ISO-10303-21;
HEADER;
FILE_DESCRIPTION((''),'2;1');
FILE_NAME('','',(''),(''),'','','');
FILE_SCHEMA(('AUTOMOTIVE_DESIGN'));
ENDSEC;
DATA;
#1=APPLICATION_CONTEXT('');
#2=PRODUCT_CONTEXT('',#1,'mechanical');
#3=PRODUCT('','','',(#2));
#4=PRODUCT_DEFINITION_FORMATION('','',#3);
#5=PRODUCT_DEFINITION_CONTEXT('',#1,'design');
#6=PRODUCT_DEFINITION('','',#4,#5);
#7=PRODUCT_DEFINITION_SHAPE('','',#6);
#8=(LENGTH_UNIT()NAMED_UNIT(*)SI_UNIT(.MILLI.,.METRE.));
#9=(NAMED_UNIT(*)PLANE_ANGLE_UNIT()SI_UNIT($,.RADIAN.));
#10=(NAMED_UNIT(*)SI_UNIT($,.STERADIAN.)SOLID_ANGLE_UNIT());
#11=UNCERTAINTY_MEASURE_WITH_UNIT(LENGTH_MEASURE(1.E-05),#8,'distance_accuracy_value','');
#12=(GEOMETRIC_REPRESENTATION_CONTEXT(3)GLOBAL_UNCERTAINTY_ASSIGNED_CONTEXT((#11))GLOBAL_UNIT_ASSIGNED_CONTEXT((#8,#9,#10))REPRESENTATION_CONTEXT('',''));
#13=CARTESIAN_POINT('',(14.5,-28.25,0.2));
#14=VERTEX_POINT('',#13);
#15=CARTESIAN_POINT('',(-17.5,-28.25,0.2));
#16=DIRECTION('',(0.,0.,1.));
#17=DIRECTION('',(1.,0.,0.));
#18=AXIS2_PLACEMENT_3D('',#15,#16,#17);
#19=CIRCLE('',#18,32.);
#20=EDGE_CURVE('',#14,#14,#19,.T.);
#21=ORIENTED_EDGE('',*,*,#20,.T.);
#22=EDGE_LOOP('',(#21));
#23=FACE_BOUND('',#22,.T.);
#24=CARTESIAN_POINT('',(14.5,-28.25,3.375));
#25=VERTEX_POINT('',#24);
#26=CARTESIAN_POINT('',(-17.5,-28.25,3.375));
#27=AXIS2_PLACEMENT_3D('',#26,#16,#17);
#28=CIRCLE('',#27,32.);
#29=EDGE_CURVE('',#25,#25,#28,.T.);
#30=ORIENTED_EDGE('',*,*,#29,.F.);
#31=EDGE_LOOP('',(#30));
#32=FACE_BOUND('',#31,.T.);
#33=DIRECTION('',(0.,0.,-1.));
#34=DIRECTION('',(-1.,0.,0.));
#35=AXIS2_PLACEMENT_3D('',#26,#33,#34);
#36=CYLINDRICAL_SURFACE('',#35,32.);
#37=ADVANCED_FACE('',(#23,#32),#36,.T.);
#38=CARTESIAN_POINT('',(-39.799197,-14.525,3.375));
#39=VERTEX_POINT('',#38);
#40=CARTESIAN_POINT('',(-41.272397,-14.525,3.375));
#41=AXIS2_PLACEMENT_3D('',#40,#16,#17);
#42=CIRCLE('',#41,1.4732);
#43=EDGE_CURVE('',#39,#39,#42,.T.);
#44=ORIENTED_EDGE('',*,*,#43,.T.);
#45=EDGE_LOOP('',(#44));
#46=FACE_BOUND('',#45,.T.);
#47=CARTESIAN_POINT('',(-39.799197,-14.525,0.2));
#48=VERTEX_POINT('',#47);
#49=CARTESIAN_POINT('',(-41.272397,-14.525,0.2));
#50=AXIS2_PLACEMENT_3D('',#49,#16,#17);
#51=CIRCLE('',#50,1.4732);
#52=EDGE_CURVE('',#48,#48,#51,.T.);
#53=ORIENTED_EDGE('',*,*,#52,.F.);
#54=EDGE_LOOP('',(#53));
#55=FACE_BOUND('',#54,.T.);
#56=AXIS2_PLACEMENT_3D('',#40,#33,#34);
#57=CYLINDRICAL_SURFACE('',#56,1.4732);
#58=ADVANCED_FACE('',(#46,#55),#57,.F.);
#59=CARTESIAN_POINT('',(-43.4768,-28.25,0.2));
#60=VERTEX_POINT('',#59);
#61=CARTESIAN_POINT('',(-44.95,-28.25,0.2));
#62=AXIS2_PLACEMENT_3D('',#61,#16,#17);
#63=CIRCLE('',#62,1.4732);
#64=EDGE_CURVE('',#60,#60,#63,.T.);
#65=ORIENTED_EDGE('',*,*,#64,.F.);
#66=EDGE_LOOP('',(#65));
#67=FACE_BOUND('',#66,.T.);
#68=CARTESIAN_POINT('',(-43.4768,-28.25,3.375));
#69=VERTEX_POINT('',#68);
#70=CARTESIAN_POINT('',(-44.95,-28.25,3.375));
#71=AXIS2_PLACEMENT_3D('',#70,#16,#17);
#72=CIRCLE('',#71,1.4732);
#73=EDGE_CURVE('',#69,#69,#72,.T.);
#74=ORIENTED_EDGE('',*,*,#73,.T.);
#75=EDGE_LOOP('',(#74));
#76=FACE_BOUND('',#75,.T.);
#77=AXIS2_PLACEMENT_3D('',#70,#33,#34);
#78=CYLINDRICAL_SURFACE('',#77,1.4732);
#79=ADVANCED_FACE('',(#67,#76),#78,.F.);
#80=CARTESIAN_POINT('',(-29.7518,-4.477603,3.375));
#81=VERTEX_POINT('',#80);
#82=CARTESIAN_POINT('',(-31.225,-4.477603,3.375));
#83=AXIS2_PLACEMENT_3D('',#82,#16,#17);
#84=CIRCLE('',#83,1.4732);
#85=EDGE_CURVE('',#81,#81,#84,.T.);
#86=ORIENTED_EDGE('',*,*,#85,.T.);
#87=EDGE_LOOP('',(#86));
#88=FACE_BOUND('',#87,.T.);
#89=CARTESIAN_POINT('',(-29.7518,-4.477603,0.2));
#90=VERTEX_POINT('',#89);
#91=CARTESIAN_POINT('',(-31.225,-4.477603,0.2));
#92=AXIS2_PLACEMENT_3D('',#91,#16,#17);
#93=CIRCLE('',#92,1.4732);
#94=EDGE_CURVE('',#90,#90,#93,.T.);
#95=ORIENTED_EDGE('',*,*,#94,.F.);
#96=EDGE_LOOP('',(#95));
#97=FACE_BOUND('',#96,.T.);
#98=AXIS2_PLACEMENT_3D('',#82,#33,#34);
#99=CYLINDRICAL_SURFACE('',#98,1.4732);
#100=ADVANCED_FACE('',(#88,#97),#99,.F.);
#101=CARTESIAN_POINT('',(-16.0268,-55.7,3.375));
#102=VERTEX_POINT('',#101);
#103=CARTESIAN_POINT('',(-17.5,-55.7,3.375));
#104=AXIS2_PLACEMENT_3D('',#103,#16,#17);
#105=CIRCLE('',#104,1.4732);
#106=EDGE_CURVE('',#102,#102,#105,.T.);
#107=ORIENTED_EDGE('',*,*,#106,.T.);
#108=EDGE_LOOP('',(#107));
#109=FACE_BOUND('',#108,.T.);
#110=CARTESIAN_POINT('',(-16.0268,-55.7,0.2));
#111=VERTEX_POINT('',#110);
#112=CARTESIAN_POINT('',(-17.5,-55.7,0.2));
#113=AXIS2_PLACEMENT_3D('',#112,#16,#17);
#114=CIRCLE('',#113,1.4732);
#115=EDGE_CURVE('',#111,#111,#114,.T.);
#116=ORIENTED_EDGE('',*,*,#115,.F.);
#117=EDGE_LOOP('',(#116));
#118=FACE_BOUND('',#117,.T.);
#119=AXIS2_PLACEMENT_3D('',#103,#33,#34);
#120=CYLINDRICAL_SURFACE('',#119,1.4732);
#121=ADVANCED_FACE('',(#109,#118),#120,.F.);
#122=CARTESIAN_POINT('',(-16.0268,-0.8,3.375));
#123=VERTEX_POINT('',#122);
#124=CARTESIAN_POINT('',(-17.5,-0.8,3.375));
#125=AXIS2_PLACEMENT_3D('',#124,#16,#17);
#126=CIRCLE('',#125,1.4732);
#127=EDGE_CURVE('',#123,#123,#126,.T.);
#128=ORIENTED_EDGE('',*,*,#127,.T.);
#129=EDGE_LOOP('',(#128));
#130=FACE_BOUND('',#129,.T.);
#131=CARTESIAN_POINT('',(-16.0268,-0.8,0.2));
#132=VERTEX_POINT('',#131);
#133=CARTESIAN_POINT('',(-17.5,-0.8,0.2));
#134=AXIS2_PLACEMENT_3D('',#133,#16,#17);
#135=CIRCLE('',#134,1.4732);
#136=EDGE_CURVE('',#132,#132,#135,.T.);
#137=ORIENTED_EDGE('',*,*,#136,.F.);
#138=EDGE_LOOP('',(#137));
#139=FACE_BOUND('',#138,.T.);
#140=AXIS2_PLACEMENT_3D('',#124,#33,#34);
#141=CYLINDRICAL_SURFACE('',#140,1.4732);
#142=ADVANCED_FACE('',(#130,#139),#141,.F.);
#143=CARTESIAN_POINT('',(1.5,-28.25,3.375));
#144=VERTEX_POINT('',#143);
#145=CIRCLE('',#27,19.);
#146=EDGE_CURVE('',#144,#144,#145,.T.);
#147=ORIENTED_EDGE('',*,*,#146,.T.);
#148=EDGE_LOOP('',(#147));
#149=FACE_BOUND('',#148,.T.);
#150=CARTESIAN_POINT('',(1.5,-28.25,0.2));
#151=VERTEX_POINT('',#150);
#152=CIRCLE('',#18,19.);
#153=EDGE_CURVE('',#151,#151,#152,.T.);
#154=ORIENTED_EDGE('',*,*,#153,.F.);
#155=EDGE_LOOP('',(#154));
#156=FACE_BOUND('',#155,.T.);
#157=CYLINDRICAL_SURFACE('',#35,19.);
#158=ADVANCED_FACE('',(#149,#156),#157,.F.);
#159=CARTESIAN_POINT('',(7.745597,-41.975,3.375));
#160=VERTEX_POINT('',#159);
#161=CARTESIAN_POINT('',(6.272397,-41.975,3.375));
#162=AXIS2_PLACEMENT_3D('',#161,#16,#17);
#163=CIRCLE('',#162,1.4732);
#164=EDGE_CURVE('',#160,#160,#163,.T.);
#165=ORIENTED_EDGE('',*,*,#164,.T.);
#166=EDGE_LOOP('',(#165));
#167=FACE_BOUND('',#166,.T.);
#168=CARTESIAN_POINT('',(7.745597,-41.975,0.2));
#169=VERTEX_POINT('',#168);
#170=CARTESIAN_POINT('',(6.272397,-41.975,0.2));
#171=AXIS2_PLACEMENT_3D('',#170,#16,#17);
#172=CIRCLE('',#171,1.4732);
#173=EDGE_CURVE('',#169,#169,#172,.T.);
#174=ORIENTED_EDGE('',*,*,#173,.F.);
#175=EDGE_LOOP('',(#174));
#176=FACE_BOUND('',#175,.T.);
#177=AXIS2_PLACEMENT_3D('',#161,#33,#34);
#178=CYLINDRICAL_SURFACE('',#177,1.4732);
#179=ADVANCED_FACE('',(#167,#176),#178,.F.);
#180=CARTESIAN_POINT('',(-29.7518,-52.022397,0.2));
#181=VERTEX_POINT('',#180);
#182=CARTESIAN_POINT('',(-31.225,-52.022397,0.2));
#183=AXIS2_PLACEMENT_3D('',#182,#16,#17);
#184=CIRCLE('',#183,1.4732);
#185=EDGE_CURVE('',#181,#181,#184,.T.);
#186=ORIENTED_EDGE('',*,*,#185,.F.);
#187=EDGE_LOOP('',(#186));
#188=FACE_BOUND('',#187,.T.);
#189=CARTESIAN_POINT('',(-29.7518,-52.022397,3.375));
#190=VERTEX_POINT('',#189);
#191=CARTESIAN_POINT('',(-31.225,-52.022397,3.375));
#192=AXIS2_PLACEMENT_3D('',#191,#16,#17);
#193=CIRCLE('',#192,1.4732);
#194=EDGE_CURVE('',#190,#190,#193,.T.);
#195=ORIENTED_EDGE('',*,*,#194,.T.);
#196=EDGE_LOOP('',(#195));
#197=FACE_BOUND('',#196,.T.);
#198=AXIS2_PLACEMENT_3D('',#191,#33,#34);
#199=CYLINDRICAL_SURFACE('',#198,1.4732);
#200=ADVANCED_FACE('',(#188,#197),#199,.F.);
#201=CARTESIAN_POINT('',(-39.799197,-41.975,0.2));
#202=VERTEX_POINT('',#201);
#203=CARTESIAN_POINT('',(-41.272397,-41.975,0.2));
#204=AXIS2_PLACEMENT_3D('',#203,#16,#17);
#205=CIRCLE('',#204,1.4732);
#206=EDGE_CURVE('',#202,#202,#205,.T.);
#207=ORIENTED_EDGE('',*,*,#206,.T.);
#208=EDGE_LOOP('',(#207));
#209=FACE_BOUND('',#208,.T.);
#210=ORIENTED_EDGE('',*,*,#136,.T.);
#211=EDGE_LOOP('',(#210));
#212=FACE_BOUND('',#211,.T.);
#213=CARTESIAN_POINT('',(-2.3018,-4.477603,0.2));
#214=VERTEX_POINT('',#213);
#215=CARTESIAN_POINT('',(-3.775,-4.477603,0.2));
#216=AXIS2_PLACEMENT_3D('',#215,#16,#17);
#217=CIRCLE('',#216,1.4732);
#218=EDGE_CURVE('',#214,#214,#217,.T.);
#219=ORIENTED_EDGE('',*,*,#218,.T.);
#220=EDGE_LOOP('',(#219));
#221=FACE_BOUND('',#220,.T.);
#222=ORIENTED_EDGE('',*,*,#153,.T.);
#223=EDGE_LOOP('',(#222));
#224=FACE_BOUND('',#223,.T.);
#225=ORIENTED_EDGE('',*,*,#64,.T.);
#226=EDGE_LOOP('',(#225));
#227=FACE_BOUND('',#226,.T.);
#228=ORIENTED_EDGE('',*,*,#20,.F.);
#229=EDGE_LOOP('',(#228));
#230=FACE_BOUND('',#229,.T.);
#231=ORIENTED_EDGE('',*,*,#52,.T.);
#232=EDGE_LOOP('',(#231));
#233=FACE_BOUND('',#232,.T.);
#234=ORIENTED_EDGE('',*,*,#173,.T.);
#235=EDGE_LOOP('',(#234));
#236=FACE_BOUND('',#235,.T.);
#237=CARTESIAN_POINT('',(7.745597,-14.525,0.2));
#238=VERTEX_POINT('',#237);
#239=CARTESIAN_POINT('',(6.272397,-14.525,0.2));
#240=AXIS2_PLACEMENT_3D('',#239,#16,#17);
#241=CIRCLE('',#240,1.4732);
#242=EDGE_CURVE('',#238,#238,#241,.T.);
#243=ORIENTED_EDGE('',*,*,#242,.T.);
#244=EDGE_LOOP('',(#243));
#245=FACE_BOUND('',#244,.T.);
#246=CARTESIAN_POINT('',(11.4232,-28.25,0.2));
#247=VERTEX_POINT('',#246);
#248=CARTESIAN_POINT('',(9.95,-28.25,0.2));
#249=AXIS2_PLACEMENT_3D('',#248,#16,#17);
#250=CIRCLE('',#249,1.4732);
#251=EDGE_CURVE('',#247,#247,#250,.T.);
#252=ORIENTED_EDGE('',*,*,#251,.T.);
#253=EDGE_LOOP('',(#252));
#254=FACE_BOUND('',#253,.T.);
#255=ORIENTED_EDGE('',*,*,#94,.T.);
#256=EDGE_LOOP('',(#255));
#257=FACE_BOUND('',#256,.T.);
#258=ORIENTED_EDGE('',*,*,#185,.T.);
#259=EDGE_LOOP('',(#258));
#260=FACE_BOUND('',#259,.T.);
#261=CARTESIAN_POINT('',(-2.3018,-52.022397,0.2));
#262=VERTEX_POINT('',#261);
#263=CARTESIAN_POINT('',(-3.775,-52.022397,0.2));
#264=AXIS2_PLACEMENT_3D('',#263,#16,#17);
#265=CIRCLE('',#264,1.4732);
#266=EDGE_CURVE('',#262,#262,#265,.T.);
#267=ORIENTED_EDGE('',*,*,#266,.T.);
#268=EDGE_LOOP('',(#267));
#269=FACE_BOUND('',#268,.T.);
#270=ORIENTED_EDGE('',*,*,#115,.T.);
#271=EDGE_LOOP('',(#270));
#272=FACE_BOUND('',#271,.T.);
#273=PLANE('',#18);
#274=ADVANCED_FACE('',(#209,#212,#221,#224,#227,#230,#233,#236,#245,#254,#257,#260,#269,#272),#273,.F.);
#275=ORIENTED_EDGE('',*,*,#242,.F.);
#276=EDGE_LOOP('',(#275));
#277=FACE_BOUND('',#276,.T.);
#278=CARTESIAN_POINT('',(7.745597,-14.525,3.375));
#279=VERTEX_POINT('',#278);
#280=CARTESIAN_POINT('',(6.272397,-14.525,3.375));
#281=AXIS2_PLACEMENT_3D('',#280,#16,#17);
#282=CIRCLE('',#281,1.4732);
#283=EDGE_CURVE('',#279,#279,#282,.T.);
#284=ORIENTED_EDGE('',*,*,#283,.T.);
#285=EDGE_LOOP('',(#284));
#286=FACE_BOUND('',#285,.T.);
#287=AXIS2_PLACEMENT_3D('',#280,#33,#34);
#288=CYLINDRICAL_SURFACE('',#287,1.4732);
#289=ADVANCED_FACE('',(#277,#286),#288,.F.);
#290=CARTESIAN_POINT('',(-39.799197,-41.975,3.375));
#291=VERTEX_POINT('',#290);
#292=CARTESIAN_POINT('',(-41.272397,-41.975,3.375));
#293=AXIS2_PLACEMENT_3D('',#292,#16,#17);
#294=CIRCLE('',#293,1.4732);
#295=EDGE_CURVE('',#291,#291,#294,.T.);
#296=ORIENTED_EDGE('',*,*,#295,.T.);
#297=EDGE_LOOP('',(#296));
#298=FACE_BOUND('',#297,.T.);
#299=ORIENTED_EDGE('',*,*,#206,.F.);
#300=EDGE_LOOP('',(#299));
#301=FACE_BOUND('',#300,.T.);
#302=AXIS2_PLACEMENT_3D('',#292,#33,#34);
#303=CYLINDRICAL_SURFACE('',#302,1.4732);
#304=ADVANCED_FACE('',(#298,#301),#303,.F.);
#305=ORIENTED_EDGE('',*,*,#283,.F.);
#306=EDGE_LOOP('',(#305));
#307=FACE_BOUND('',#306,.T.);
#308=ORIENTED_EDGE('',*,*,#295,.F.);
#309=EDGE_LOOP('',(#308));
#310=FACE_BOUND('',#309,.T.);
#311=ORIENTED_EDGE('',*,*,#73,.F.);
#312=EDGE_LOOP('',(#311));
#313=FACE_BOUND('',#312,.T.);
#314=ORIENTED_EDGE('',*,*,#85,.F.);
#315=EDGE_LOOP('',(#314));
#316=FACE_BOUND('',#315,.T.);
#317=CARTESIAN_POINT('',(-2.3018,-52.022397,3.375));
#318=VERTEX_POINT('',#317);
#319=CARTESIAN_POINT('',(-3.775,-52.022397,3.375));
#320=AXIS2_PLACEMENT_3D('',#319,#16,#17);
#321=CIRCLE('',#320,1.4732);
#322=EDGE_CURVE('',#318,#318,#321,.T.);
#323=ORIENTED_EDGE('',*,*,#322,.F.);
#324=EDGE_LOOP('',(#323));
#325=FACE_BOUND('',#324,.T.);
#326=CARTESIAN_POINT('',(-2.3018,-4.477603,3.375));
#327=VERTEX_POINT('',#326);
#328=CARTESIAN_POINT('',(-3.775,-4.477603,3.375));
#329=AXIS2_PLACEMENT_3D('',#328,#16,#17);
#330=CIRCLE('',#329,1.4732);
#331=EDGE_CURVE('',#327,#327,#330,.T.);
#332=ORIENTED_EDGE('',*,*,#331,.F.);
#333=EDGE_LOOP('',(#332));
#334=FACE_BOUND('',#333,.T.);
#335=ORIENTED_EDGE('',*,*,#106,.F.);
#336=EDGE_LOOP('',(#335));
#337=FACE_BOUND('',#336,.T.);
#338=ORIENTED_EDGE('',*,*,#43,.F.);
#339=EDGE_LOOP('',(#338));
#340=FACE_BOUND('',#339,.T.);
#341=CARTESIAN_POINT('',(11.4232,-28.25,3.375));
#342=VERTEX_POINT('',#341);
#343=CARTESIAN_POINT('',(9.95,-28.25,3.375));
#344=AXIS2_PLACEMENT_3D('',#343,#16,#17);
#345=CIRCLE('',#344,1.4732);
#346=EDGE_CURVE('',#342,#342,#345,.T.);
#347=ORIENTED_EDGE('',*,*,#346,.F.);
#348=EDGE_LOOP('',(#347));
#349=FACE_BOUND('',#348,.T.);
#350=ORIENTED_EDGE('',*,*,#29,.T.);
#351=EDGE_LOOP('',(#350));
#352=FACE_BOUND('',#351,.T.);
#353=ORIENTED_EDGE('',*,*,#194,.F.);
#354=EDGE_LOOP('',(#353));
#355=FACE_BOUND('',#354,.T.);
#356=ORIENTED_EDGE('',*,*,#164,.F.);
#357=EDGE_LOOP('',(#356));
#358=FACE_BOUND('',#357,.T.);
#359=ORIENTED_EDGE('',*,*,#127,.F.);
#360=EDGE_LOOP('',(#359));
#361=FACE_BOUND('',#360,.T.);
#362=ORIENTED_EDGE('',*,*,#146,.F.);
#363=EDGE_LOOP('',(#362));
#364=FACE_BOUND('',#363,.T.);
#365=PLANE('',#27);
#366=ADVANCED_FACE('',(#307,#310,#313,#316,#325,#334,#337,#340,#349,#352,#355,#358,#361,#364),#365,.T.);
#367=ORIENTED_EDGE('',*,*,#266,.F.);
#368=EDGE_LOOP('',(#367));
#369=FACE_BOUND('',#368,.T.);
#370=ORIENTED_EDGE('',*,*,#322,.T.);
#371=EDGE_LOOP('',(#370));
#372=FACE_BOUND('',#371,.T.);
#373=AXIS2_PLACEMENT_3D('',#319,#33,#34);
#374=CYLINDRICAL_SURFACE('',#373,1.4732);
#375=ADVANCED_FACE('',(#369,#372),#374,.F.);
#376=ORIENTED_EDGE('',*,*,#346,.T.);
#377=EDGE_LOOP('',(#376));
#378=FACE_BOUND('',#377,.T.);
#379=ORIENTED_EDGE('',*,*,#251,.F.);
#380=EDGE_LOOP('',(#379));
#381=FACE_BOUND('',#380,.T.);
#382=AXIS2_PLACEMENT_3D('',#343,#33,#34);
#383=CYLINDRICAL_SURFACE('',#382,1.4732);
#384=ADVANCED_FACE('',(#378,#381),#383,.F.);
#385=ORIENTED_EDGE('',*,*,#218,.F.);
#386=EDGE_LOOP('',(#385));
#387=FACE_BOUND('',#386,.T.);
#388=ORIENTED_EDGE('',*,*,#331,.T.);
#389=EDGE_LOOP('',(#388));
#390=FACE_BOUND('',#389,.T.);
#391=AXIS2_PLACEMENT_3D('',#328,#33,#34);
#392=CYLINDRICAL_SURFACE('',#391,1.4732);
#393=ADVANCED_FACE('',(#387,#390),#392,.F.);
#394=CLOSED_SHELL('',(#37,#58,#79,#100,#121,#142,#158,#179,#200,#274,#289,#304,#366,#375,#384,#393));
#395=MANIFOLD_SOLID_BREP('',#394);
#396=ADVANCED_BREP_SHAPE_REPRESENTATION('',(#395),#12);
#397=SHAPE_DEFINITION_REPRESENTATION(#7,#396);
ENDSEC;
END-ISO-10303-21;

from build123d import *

# Parameters (mm, degrees)
SKETCH1_R           = 32
SKETCH1_R_2         = 1.4732
SKETCH1_R_3         = 19
BOSS_EXTRUDE1_DEPTH = 3.175


with BuildPart() as part:
    # Sketch1 → Boss-Extrude1 (new body)
    with BuildSketch(Plane.XY.offset(0.2)):
        with Locations((-17.5, -28.25)):
            Circle(SKETCH1_R)
        with Locations((-17.5, -55.7)):
            Circle(SKETCH1_R_2, mode=Mode.SUBTRACT)
        with Locations((-31.225, -52.022397334)):
            Circle(SKETCH1_R_2, mode=Mode.SUBTRACT)
        with Locations((-41.272397334, -41.975)):
            Circle(SKETCH1_R_2, mode=Mode.SUBTRACT)
        with Locations((-44.95, -28.25)):
            Circle(SKETCH1_R_2, mode=Mode.SUBTRACT)
        with Locations((-41.272397334, -14.525)):
            Circle(SKETCH1_R_2, mode=Mode.SUBTRACT)
        with Locations((-31.225, -4.477602666)):
            Circle(SKETCH1_R_2, mode=Mode.SUBTRACT)
        with Locations((-17.5, -0.8)):
            Circle(SKETCH1_R_2, mode=Mode.SUBTRACT)
        with Locations((-3.775, -4.477602666)):
            Circle(SKETCH1_R_2, mode=Mode.SUBTRACT)
        with Locations((6.272397334, -14.525)):
            Circle(SKETCH1_R_2, mode=Mode.SUBTRACT)
        with Locations((9.95, -28.25)):
            Circle(SKETCH1_R_2, mode=Mode.SUBTRACT)
        with Locations((6.272397334, -41.975)):
            Circle(SKETCH1_R_2, mode=Mode.SUBTRACT)
        with Locations((-3.775, -52.022397334)):
            Circle(SKETCH1_R_2, mode=Mode.SUBTRACT)
        with Locations((-17.5, -28.25)):
            Circle(SKETCH1_R_3, mode=Mode.SUBTRACT)
    extrude(amount=BOSS_EXTRUDE1_DEPTH)


solid = part.part
